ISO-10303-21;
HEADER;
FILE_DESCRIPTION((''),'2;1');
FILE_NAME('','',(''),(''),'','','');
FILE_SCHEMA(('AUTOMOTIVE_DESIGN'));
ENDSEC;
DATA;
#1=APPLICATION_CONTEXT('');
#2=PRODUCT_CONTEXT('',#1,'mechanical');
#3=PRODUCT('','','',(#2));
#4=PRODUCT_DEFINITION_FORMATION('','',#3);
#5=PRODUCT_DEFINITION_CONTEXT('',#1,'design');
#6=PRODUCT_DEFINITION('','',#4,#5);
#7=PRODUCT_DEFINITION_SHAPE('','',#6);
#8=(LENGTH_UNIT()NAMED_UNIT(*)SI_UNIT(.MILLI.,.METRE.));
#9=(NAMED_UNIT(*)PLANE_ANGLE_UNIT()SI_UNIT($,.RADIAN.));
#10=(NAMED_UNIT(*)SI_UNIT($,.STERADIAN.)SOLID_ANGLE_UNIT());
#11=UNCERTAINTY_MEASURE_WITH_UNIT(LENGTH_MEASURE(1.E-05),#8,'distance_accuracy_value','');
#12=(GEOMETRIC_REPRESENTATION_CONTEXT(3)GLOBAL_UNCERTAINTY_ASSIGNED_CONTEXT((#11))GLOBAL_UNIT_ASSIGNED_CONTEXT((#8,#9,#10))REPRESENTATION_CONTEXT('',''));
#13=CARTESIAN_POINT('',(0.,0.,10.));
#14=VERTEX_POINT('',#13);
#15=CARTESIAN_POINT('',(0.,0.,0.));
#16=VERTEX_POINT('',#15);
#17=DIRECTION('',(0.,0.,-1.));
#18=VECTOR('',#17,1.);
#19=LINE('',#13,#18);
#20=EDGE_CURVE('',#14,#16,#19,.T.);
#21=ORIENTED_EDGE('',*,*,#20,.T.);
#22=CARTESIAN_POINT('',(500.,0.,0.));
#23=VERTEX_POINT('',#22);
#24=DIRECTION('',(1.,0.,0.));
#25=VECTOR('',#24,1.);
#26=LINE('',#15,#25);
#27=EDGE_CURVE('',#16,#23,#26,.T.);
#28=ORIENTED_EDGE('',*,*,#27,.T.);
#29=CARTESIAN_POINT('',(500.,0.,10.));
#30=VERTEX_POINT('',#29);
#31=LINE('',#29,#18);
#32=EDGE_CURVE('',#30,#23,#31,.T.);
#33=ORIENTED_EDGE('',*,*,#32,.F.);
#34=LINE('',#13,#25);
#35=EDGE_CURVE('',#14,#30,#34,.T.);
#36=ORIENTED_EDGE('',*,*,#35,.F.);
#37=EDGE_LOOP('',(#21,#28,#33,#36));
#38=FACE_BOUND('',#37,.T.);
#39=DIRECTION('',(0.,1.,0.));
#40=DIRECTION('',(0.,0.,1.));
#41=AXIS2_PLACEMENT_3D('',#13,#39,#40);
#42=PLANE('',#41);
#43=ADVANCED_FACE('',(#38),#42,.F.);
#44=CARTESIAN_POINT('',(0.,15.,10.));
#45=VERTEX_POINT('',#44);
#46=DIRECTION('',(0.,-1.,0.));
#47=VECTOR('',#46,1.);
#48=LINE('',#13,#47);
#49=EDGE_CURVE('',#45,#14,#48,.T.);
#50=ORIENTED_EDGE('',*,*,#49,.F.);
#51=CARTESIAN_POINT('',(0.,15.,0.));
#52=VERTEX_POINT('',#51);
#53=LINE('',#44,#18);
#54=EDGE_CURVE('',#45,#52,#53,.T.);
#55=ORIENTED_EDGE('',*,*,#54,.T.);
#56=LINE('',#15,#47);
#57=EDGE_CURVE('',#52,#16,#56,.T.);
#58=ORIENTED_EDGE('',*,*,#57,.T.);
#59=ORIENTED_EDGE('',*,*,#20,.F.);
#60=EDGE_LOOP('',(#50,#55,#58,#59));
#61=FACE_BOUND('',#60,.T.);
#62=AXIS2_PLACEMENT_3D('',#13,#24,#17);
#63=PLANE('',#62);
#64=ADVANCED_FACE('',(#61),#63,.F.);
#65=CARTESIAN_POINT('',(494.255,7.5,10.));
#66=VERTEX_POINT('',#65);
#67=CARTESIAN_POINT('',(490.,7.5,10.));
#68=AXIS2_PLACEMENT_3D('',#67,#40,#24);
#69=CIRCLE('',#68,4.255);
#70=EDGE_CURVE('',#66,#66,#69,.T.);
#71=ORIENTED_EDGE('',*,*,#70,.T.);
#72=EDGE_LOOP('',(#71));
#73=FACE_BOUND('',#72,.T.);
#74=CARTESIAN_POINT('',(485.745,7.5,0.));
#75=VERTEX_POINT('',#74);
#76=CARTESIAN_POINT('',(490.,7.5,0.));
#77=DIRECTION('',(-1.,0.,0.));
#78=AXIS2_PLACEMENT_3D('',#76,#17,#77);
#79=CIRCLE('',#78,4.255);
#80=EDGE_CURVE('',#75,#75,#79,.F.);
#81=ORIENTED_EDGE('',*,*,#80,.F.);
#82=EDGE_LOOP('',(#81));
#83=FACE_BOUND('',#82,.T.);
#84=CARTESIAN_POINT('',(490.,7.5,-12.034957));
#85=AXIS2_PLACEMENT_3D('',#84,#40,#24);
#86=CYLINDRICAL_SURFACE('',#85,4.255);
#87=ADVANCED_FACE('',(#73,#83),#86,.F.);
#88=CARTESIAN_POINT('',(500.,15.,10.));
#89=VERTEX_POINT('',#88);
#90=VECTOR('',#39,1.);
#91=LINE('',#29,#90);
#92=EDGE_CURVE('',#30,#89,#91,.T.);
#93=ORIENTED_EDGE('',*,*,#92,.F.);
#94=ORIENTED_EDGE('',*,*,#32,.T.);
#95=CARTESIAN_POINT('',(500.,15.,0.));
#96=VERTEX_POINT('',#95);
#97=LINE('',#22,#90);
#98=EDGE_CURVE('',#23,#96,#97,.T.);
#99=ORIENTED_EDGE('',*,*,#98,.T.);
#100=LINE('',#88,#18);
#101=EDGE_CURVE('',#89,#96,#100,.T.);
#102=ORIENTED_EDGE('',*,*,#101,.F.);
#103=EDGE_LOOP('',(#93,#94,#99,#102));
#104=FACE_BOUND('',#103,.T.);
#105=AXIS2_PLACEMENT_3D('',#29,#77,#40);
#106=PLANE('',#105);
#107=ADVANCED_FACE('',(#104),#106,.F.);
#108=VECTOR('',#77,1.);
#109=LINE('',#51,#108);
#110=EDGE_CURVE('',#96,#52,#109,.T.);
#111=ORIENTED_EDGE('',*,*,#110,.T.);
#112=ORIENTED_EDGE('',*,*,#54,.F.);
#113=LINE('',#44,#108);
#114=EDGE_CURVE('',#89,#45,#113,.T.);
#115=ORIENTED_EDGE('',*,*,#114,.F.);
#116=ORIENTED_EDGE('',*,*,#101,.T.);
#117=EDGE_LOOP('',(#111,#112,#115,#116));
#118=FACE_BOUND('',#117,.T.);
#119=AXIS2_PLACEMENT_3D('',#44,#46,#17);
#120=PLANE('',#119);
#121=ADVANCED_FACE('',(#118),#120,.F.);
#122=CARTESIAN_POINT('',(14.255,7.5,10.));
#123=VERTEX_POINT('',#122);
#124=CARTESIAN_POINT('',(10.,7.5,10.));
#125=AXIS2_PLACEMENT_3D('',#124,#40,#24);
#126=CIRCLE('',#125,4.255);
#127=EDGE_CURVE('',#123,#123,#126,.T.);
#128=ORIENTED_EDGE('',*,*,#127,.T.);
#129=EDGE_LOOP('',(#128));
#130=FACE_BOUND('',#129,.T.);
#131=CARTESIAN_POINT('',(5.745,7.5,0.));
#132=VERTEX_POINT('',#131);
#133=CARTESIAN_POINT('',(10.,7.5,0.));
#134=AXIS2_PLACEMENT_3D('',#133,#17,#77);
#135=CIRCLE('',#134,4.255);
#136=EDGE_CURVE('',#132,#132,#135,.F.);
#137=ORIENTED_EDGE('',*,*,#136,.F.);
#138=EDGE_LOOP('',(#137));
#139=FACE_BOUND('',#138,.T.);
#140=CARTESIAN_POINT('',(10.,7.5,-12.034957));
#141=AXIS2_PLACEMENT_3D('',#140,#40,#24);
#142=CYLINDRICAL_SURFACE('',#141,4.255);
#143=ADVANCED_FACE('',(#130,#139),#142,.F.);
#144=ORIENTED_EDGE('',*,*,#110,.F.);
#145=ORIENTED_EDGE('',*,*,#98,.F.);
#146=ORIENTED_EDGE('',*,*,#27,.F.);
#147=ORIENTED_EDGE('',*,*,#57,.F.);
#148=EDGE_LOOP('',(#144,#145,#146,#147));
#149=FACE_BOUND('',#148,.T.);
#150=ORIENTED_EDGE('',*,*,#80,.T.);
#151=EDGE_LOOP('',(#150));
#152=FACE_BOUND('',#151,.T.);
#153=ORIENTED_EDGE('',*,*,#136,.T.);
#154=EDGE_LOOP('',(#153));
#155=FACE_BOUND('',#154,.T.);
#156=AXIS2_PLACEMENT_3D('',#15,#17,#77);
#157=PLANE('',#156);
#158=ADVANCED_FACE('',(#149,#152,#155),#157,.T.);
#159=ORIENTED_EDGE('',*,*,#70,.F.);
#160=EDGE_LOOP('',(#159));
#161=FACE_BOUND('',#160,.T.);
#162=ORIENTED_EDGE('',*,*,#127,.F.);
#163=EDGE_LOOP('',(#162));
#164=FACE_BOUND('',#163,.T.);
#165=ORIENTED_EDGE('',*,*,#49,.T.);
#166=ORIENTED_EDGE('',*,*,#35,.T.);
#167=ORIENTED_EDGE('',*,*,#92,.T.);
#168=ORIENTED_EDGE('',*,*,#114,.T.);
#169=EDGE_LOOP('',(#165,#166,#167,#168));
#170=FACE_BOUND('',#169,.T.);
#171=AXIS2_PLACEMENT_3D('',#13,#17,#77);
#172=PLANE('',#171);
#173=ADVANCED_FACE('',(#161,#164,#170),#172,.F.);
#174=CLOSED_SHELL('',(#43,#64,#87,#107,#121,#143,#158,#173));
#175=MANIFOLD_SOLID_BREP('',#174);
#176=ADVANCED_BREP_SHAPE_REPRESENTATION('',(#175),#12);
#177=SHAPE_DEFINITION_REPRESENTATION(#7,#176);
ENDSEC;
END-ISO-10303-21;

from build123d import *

# Parameters (mm, degrees)
SKETCH1_W           = 500
SKETCH1_H           = 15
BOSS_EXTRUDE1_DEPTH = 10
SKETCH2_R           = 4.255
CUT_EXTRUDE1_DEPTH  = 10


with BuildPart() as part:
    # Sketch1 → Boss-Extrude1 (new body)
    with BuildSketch(Plane.XY):
        with Locations((250, 7.5)):
            Rectangle(SKETCH1_W, SKETCH1_H)
    extrude(amount=BOSS_EXTRUDE1_DEPTH)

    # Sketch2 → Cut-Extrude1 (cut)
    with BuildSketch(Plane.XY.offset(10)):
        with Locations((10, 7.5)):
            Circle(SKETCH2_R)
        with Locations((490, 7.5)):
            Circle(SKETCH2_R)
    extrude(amount=-CUT_EXTRUDE1_DEPTH, mode=Mode.SUBTRACT)


solid = part.part
